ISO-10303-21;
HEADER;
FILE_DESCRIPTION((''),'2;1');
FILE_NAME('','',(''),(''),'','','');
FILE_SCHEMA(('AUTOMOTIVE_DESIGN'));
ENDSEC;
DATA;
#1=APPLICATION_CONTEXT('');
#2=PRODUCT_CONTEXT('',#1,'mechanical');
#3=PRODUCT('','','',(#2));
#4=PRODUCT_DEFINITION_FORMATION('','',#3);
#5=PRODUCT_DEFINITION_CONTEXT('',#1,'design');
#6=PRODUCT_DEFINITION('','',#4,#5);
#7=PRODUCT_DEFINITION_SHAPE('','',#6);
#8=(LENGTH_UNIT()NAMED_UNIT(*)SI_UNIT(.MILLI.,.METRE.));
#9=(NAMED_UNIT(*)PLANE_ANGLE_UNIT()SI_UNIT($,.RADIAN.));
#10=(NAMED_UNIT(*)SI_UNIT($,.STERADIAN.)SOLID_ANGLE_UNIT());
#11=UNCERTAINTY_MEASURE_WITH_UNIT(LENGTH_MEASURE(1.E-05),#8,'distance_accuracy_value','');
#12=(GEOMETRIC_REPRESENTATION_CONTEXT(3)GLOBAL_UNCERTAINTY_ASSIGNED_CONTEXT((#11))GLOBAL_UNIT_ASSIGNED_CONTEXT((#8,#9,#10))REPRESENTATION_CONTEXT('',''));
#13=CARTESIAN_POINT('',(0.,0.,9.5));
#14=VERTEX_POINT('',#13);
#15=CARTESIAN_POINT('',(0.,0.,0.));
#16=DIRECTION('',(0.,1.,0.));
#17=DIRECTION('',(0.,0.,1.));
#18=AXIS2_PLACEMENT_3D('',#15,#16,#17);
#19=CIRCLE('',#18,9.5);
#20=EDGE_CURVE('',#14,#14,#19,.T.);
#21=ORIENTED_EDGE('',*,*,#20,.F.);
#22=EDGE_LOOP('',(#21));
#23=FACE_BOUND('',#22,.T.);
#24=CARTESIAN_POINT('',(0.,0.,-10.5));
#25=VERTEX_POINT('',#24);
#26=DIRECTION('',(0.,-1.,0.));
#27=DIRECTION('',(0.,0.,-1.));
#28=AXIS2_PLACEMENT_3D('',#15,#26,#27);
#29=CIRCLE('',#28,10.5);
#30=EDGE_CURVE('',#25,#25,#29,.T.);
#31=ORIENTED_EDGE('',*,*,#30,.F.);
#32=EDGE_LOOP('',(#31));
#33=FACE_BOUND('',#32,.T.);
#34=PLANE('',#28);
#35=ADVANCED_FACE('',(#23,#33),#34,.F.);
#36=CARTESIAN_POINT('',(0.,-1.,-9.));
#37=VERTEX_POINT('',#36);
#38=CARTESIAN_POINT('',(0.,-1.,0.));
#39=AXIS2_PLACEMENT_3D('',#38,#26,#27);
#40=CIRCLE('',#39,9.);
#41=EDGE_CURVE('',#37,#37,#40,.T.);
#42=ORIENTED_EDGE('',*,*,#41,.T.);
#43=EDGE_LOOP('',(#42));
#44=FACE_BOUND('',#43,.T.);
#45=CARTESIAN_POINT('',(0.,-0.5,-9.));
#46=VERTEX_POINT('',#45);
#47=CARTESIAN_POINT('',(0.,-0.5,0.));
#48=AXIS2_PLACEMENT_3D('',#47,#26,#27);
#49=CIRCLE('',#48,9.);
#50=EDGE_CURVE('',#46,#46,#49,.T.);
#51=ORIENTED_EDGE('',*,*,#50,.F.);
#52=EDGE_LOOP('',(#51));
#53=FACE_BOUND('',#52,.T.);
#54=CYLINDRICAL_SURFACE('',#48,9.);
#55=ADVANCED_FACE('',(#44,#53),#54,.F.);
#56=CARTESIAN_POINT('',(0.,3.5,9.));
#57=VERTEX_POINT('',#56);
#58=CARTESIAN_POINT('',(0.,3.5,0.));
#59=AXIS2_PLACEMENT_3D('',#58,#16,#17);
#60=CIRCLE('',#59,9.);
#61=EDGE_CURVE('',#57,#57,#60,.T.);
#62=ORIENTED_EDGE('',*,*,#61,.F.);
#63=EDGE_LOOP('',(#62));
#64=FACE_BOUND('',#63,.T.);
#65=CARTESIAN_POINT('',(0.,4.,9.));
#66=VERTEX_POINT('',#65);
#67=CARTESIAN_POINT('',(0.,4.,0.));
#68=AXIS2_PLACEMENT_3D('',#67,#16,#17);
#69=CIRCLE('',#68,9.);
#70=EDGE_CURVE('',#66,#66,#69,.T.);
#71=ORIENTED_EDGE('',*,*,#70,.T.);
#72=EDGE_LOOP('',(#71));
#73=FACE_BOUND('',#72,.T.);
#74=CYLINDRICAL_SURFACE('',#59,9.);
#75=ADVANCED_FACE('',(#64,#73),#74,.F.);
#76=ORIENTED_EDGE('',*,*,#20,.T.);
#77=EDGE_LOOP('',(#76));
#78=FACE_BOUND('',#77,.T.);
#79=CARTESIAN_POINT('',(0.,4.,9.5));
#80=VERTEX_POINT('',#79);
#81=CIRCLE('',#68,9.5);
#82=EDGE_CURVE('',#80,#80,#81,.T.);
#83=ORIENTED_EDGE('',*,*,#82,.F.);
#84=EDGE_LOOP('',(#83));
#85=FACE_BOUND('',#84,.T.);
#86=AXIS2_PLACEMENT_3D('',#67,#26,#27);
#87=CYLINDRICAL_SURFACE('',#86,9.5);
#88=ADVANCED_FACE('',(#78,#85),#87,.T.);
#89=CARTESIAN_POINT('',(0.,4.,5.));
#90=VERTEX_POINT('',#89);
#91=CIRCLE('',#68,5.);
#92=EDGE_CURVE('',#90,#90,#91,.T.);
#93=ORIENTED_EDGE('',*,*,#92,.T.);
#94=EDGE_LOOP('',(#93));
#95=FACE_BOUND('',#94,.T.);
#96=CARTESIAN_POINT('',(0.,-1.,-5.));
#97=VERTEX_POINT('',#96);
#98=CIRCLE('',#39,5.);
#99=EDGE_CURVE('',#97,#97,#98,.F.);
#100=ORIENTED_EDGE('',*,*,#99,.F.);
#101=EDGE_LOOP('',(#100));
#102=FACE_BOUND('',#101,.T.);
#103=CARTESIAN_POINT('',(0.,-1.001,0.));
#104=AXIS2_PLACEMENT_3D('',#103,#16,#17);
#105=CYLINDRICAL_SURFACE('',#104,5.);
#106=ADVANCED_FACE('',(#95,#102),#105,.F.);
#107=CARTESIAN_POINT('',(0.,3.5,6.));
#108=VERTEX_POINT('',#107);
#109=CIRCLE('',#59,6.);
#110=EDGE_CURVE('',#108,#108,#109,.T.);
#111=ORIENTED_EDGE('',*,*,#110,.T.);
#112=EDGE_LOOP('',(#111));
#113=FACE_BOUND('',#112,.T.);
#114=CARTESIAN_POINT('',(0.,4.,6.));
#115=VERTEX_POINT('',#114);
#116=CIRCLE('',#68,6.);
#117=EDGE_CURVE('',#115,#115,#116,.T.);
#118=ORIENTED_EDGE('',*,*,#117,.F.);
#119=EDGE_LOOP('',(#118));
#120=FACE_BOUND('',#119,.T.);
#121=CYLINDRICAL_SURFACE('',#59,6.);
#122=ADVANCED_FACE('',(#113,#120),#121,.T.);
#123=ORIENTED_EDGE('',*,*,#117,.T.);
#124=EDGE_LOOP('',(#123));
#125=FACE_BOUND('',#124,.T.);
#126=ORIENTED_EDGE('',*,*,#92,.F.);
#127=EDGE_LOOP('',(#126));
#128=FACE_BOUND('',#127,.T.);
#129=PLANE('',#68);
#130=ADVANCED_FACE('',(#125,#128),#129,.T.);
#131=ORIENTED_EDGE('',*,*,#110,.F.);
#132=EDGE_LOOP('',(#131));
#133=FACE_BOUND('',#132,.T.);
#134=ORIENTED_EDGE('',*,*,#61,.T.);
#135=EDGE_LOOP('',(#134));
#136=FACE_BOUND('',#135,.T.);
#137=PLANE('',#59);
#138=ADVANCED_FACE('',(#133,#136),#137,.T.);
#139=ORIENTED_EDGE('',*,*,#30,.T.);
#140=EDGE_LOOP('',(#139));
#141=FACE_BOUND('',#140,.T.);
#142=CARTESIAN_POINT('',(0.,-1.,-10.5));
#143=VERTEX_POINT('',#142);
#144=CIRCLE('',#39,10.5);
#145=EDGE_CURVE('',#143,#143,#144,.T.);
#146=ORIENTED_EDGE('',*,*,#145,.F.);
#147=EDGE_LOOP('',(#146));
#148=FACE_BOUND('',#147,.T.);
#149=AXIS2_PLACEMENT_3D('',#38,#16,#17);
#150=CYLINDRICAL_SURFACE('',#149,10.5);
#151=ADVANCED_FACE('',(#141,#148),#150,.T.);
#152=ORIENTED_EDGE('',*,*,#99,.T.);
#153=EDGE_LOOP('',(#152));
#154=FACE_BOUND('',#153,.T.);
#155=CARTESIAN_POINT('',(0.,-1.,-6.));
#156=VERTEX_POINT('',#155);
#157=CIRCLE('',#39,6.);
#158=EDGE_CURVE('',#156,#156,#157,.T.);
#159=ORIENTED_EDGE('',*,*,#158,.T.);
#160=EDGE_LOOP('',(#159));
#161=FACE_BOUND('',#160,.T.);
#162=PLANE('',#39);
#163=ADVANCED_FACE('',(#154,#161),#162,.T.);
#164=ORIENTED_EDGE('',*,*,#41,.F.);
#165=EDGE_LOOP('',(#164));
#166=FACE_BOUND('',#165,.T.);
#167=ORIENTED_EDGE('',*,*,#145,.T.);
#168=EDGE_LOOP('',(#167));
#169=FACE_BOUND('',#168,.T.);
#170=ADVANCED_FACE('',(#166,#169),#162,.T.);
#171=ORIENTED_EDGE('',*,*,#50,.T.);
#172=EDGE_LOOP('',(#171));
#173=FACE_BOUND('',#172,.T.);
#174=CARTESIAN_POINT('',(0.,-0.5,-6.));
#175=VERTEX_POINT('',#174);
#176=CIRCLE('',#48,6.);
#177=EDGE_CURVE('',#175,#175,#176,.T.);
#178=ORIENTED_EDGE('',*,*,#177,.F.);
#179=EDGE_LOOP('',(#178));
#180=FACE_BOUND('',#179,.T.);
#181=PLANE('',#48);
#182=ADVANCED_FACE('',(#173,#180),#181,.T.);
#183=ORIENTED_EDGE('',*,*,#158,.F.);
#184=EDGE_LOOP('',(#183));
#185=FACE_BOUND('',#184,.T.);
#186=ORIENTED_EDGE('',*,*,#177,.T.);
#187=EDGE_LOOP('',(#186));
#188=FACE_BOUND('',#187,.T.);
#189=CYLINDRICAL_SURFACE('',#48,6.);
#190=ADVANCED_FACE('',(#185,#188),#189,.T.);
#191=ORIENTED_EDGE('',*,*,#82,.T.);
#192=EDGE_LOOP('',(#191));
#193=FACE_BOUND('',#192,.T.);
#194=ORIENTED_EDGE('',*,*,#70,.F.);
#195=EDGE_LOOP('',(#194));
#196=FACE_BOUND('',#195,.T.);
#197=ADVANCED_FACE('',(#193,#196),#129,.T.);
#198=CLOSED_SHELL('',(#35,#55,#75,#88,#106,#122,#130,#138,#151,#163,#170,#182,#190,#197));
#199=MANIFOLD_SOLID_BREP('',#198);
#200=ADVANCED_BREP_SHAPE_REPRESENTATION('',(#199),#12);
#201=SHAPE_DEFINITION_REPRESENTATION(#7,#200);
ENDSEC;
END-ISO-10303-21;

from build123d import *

# Parameters (mm, degrees)
SKETCH_1_R          = 9.5
EXTRUDE_1_DEPTH     = 4
SKETCH_2_R          = 10.5
EXTRUDE_2_DEPTH     = 1
CUT_EXTRUDE_1_REACH = 7
SKETCH_3_R          = 5
SKETCH_4_R          = 9
SKETCH_4_R_2        = 6
CUT_EXTRUDE_2_DEPTH = 0.5
CUT_EXTRUDE_START   = -5
SKETCH_4_2_R        = 9
SKETCH_4_2_R_2      = 6
CUT_EXTRUDE_5_DEPTH = 0.5


with BuildPart() as part:
    # Sketch 1 → Extrude 1 (new body)
    with BuildSketch(Plane(origin=(0, 0, 0), x_dir=(1, 0, 0), z_dir=(0, 1, 0))):
        Circle(SKETCH_1_R)
    extrude(amount=EXTRUDE_1_DEPTH)

    # Sketch 2 → Extrude 2 (add)
    with BuildSketch(Plane.XZ):
        Circle(SKETCH_2_R)
    extrude(amount=EXTRUDE_2_DEPTH)

    # Sketch 3 → Cut-Extrude 1 (cut, up to next)
    with BuildSketch(Plane(origin=(0, 4, 0), x_dir=(1, 0, 0), z_dir=(0, 1, 0)), mode=Mode.PRIVATE) as cut_extrude_1_sk1:
        Circle(SKETCH_3_R)
    cut_extrude_1_tool1 = extrude(cut_extrude_1_sk1.sketch, amount=-CUT_EXTRUDE_1_REACH, mode=Mode.PRIVATE) & part.part
    add(cut_extrude_1_tool1.solids().sort_by_distance((0, 4, 0))[0], mode=Mode.SUBTRACT)

    # Sketch 4 → Cut-Extrude 2 (cut)
    with BuildSketch(Plane(origin=(0, 4, 0), x_dir=(1, 0, 0), z_dir=(0, 1, 0))):
        Circle(SKETCH_4_R)
        Circle(SKETCH_4_R_2, mode=Mode.SUBTRACT)
    extrude(amount=-CUT_EXTRUDE_2_DEPTH, mode=Mode.SUBTRACT)

    # Sketch 4_2 → Cut-Extrude 5 (cut)
    with BuildSketch(Plane(origin=(0, 4, 0), x_dir=(1, 0, 0), z_dir=(0, 1, 0)).offset(CUT_EXTRUDE_START)):
        Circle(SKETCH_4_2_R)
        Circle(SKETCH_4_2_R_2, mode=Mode.SUBTRACT)
    extrude(amount=CUT_EXTRUDE_5_DEPTH, mode=Mode.SUBTRACT)


solid = part.part
